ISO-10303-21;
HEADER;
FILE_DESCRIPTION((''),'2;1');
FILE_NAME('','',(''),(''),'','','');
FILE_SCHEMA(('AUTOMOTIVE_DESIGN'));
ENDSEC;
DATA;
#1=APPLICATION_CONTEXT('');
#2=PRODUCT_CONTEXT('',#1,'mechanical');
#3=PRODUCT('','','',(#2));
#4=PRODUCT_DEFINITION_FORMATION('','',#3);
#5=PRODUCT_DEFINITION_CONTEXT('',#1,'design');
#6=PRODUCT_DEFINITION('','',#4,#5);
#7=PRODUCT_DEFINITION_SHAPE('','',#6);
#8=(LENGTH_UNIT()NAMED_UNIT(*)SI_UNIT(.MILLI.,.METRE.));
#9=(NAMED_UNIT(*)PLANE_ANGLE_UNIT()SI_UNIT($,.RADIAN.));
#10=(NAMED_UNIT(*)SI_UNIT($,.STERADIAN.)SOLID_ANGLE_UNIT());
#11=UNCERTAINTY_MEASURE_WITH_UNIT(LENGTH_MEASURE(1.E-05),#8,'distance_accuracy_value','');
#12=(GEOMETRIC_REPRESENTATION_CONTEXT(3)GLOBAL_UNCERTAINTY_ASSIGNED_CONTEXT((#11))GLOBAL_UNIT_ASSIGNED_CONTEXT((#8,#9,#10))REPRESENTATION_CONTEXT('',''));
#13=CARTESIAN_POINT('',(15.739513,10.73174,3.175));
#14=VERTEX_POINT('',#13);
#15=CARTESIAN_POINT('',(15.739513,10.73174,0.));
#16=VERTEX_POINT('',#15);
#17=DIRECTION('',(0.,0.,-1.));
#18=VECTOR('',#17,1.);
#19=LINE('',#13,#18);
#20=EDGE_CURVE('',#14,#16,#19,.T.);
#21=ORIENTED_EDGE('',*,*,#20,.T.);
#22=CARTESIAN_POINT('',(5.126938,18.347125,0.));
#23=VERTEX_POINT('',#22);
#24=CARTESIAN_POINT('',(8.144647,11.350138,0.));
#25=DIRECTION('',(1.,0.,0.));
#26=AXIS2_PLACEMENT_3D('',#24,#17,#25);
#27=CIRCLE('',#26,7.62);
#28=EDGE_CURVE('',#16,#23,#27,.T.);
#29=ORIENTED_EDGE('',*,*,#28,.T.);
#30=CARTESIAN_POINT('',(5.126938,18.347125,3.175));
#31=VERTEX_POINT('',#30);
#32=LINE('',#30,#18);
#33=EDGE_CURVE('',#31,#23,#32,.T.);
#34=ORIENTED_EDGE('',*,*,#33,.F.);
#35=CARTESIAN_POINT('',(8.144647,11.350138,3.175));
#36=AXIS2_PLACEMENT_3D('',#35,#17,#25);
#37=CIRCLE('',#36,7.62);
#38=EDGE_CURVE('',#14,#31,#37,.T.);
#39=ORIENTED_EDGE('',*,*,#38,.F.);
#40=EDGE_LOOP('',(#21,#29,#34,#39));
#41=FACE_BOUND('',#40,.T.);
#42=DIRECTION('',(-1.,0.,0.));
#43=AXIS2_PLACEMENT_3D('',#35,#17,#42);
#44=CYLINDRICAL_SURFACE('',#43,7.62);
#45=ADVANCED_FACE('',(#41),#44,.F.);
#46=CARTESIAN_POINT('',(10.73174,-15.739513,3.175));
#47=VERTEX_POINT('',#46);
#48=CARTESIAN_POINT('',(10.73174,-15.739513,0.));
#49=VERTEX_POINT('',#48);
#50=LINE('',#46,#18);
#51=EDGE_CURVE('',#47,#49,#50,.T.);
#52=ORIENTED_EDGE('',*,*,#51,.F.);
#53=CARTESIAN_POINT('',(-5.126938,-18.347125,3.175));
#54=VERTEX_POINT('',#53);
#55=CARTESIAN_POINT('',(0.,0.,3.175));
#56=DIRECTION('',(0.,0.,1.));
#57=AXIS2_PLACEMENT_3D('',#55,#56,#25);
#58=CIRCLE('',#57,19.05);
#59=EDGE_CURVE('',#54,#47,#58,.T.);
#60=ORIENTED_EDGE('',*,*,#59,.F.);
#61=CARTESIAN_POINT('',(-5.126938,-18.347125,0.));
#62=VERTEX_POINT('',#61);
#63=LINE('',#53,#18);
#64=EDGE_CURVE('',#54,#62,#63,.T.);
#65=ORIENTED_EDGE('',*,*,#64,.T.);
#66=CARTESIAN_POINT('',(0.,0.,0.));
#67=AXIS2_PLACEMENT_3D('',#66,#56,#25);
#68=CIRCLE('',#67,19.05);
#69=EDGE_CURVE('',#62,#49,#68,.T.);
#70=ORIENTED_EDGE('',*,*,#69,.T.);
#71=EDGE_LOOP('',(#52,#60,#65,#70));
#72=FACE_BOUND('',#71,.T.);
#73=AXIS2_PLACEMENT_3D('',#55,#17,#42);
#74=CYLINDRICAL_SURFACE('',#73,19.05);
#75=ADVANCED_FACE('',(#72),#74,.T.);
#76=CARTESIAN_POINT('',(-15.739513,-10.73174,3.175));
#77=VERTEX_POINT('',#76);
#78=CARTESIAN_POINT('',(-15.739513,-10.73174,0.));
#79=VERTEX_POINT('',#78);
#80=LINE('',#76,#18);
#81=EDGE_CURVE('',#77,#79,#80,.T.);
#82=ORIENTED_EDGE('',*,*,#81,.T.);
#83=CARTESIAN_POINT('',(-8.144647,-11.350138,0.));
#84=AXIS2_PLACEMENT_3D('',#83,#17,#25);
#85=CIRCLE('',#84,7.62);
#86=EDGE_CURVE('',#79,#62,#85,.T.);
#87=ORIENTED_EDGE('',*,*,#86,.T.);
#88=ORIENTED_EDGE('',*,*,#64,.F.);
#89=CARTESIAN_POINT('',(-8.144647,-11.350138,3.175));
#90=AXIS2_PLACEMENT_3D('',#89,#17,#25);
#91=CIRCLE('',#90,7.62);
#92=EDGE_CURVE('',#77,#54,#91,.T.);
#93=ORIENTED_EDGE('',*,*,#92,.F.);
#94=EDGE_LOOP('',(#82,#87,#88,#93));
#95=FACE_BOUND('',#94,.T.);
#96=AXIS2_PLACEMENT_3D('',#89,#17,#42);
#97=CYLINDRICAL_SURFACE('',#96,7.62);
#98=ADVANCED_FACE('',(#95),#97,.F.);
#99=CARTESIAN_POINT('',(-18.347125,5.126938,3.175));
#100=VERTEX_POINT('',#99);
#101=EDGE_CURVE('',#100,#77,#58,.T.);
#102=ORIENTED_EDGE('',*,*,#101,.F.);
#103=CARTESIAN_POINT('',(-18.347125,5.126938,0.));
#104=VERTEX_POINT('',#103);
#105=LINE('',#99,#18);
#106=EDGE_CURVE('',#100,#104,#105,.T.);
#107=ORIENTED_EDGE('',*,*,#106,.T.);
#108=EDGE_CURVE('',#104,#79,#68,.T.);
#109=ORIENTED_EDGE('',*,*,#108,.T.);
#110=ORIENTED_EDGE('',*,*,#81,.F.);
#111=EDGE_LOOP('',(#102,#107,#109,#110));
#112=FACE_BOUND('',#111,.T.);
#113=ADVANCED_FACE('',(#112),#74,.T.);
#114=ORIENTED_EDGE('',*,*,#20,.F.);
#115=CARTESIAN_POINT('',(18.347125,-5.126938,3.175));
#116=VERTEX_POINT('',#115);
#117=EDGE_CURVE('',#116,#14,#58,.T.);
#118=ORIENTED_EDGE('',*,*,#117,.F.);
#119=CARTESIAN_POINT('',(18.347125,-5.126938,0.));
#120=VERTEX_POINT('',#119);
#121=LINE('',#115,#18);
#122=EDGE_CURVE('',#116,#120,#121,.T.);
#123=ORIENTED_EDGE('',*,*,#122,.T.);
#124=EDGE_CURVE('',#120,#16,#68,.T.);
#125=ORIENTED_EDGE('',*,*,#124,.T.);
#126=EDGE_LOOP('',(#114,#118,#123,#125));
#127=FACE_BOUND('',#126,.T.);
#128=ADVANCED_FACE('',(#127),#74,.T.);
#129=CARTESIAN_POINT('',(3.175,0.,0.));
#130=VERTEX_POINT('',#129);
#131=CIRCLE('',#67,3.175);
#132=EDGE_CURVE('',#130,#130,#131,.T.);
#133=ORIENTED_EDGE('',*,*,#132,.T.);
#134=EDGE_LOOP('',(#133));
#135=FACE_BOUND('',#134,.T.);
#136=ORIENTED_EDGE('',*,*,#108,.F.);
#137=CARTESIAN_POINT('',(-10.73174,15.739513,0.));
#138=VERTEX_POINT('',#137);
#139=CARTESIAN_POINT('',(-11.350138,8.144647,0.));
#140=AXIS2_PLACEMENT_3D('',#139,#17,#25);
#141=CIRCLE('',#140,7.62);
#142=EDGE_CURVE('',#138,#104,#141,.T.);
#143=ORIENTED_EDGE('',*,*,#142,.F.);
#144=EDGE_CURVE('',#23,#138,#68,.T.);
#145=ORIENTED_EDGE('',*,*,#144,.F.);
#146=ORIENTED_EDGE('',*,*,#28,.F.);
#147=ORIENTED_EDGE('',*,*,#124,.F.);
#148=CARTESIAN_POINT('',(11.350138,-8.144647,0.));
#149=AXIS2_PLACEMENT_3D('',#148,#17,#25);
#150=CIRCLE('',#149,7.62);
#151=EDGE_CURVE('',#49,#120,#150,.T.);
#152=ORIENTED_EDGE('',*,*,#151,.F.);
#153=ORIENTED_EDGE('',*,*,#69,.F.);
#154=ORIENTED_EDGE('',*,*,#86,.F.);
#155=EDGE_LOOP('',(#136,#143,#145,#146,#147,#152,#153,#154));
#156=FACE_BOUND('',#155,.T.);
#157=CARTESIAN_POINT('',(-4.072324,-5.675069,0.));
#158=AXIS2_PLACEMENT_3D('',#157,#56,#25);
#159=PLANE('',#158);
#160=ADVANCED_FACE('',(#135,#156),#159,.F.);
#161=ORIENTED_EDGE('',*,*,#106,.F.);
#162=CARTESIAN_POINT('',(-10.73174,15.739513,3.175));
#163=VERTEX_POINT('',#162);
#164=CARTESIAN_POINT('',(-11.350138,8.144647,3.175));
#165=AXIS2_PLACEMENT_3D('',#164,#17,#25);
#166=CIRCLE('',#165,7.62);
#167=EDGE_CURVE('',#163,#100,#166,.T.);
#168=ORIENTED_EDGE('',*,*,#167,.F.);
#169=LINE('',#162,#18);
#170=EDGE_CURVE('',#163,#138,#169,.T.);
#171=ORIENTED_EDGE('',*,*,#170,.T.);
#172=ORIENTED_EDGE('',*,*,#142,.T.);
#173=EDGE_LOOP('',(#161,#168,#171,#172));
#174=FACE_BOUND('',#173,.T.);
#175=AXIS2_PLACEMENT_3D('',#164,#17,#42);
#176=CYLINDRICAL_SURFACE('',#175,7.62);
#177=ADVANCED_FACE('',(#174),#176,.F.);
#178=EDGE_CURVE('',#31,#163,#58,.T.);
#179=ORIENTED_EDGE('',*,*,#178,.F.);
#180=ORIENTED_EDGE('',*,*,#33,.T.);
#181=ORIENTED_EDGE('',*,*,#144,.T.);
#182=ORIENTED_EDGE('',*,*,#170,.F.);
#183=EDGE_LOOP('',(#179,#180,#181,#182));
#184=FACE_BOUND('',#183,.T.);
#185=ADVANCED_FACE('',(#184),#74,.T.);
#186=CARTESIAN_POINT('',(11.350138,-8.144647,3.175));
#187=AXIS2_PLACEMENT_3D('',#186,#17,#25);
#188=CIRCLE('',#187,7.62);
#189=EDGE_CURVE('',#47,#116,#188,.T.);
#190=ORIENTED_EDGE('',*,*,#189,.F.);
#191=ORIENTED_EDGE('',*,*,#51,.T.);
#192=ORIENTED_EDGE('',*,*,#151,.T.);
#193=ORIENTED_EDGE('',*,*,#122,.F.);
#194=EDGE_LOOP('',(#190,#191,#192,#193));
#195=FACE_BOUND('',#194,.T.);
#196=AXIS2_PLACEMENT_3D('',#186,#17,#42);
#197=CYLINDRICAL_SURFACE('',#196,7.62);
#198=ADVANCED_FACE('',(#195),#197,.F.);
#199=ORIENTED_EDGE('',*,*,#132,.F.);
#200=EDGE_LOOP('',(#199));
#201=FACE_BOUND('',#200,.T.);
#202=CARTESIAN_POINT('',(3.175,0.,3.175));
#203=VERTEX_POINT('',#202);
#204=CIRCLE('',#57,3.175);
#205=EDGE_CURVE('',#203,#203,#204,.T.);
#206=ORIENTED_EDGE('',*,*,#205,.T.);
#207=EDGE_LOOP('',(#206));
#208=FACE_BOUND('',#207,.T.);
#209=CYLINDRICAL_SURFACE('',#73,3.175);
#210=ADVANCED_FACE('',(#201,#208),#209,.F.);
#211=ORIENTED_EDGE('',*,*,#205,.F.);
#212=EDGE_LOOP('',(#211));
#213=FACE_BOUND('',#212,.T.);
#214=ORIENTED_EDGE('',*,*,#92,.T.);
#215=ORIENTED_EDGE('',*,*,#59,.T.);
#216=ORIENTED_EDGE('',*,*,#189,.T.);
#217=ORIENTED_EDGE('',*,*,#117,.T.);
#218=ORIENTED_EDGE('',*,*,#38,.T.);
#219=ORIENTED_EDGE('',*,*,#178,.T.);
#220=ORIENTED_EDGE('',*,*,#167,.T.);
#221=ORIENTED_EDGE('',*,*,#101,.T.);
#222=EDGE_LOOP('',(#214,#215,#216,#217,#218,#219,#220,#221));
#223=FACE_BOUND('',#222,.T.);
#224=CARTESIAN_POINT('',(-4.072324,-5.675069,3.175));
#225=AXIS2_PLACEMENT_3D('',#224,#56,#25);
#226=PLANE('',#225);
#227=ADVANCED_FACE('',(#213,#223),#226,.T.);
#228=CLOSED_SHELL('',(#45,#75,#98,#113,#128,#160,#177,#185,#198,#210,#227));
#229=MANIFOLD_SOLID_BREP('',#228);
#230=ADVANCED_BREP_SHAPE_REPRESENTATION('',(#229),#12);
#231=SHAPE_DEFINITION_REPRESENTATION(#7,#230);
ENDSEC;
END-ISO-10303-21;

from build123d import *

# Parameters (mm, degrees)
SKETCH1_R           = 3.175
BOSS_EXTRUDE1_DEPTH = 3.175


with BuildPart() as part:
    # Sketch1 → Boss-Extrude1 (new body)
    with BuildSketch(Plane.XY):
        with BuildLine():
            ThreePointArc((-18.347125171, 5.126938458), (-18.797583349, -3.090851056), (-15.739512715, -10.731739817))
            ThreePointArc((-15.739512715, -10.731739817), (-3.702112305, -5.159153466), (-5.126938458, -18.347125171))
            ThreePointArc((-5.126938458, -18.347125171), (3.090851056, -18.797583349), (10.731739817, -15.739512715))
            ThreePointArc((10.731739817, -15.739512715), (5.159153466, -3.702112305), (18.347125171, -5.126938458))
            ThreePointArc((18.347125171, -5.126938458), (18.797583349, 3.090851056), (15.739512715, 10.731739817))
            ThreePointArc((15.739512715, 10.731739817), (3.702112305, 5.159153466), (5.126938458, 18.347125171))
            ThreePointArc((5.126938458, 18.347125171), (-3.090851056, 18.797583349), (-10.731739817, 15.739512715))
            ThreePointArc((-10.731739817, 15.739512715), (-5.159153466, 3.702112305), (-18.347125171, 5.126938458))
        make_face()
        Circle(SKETCH1_R, mode=Mode.SUBTRACT)
    extrude(amount=BOSS_EXTRUDE1_DEPTH)


solid = part.part
